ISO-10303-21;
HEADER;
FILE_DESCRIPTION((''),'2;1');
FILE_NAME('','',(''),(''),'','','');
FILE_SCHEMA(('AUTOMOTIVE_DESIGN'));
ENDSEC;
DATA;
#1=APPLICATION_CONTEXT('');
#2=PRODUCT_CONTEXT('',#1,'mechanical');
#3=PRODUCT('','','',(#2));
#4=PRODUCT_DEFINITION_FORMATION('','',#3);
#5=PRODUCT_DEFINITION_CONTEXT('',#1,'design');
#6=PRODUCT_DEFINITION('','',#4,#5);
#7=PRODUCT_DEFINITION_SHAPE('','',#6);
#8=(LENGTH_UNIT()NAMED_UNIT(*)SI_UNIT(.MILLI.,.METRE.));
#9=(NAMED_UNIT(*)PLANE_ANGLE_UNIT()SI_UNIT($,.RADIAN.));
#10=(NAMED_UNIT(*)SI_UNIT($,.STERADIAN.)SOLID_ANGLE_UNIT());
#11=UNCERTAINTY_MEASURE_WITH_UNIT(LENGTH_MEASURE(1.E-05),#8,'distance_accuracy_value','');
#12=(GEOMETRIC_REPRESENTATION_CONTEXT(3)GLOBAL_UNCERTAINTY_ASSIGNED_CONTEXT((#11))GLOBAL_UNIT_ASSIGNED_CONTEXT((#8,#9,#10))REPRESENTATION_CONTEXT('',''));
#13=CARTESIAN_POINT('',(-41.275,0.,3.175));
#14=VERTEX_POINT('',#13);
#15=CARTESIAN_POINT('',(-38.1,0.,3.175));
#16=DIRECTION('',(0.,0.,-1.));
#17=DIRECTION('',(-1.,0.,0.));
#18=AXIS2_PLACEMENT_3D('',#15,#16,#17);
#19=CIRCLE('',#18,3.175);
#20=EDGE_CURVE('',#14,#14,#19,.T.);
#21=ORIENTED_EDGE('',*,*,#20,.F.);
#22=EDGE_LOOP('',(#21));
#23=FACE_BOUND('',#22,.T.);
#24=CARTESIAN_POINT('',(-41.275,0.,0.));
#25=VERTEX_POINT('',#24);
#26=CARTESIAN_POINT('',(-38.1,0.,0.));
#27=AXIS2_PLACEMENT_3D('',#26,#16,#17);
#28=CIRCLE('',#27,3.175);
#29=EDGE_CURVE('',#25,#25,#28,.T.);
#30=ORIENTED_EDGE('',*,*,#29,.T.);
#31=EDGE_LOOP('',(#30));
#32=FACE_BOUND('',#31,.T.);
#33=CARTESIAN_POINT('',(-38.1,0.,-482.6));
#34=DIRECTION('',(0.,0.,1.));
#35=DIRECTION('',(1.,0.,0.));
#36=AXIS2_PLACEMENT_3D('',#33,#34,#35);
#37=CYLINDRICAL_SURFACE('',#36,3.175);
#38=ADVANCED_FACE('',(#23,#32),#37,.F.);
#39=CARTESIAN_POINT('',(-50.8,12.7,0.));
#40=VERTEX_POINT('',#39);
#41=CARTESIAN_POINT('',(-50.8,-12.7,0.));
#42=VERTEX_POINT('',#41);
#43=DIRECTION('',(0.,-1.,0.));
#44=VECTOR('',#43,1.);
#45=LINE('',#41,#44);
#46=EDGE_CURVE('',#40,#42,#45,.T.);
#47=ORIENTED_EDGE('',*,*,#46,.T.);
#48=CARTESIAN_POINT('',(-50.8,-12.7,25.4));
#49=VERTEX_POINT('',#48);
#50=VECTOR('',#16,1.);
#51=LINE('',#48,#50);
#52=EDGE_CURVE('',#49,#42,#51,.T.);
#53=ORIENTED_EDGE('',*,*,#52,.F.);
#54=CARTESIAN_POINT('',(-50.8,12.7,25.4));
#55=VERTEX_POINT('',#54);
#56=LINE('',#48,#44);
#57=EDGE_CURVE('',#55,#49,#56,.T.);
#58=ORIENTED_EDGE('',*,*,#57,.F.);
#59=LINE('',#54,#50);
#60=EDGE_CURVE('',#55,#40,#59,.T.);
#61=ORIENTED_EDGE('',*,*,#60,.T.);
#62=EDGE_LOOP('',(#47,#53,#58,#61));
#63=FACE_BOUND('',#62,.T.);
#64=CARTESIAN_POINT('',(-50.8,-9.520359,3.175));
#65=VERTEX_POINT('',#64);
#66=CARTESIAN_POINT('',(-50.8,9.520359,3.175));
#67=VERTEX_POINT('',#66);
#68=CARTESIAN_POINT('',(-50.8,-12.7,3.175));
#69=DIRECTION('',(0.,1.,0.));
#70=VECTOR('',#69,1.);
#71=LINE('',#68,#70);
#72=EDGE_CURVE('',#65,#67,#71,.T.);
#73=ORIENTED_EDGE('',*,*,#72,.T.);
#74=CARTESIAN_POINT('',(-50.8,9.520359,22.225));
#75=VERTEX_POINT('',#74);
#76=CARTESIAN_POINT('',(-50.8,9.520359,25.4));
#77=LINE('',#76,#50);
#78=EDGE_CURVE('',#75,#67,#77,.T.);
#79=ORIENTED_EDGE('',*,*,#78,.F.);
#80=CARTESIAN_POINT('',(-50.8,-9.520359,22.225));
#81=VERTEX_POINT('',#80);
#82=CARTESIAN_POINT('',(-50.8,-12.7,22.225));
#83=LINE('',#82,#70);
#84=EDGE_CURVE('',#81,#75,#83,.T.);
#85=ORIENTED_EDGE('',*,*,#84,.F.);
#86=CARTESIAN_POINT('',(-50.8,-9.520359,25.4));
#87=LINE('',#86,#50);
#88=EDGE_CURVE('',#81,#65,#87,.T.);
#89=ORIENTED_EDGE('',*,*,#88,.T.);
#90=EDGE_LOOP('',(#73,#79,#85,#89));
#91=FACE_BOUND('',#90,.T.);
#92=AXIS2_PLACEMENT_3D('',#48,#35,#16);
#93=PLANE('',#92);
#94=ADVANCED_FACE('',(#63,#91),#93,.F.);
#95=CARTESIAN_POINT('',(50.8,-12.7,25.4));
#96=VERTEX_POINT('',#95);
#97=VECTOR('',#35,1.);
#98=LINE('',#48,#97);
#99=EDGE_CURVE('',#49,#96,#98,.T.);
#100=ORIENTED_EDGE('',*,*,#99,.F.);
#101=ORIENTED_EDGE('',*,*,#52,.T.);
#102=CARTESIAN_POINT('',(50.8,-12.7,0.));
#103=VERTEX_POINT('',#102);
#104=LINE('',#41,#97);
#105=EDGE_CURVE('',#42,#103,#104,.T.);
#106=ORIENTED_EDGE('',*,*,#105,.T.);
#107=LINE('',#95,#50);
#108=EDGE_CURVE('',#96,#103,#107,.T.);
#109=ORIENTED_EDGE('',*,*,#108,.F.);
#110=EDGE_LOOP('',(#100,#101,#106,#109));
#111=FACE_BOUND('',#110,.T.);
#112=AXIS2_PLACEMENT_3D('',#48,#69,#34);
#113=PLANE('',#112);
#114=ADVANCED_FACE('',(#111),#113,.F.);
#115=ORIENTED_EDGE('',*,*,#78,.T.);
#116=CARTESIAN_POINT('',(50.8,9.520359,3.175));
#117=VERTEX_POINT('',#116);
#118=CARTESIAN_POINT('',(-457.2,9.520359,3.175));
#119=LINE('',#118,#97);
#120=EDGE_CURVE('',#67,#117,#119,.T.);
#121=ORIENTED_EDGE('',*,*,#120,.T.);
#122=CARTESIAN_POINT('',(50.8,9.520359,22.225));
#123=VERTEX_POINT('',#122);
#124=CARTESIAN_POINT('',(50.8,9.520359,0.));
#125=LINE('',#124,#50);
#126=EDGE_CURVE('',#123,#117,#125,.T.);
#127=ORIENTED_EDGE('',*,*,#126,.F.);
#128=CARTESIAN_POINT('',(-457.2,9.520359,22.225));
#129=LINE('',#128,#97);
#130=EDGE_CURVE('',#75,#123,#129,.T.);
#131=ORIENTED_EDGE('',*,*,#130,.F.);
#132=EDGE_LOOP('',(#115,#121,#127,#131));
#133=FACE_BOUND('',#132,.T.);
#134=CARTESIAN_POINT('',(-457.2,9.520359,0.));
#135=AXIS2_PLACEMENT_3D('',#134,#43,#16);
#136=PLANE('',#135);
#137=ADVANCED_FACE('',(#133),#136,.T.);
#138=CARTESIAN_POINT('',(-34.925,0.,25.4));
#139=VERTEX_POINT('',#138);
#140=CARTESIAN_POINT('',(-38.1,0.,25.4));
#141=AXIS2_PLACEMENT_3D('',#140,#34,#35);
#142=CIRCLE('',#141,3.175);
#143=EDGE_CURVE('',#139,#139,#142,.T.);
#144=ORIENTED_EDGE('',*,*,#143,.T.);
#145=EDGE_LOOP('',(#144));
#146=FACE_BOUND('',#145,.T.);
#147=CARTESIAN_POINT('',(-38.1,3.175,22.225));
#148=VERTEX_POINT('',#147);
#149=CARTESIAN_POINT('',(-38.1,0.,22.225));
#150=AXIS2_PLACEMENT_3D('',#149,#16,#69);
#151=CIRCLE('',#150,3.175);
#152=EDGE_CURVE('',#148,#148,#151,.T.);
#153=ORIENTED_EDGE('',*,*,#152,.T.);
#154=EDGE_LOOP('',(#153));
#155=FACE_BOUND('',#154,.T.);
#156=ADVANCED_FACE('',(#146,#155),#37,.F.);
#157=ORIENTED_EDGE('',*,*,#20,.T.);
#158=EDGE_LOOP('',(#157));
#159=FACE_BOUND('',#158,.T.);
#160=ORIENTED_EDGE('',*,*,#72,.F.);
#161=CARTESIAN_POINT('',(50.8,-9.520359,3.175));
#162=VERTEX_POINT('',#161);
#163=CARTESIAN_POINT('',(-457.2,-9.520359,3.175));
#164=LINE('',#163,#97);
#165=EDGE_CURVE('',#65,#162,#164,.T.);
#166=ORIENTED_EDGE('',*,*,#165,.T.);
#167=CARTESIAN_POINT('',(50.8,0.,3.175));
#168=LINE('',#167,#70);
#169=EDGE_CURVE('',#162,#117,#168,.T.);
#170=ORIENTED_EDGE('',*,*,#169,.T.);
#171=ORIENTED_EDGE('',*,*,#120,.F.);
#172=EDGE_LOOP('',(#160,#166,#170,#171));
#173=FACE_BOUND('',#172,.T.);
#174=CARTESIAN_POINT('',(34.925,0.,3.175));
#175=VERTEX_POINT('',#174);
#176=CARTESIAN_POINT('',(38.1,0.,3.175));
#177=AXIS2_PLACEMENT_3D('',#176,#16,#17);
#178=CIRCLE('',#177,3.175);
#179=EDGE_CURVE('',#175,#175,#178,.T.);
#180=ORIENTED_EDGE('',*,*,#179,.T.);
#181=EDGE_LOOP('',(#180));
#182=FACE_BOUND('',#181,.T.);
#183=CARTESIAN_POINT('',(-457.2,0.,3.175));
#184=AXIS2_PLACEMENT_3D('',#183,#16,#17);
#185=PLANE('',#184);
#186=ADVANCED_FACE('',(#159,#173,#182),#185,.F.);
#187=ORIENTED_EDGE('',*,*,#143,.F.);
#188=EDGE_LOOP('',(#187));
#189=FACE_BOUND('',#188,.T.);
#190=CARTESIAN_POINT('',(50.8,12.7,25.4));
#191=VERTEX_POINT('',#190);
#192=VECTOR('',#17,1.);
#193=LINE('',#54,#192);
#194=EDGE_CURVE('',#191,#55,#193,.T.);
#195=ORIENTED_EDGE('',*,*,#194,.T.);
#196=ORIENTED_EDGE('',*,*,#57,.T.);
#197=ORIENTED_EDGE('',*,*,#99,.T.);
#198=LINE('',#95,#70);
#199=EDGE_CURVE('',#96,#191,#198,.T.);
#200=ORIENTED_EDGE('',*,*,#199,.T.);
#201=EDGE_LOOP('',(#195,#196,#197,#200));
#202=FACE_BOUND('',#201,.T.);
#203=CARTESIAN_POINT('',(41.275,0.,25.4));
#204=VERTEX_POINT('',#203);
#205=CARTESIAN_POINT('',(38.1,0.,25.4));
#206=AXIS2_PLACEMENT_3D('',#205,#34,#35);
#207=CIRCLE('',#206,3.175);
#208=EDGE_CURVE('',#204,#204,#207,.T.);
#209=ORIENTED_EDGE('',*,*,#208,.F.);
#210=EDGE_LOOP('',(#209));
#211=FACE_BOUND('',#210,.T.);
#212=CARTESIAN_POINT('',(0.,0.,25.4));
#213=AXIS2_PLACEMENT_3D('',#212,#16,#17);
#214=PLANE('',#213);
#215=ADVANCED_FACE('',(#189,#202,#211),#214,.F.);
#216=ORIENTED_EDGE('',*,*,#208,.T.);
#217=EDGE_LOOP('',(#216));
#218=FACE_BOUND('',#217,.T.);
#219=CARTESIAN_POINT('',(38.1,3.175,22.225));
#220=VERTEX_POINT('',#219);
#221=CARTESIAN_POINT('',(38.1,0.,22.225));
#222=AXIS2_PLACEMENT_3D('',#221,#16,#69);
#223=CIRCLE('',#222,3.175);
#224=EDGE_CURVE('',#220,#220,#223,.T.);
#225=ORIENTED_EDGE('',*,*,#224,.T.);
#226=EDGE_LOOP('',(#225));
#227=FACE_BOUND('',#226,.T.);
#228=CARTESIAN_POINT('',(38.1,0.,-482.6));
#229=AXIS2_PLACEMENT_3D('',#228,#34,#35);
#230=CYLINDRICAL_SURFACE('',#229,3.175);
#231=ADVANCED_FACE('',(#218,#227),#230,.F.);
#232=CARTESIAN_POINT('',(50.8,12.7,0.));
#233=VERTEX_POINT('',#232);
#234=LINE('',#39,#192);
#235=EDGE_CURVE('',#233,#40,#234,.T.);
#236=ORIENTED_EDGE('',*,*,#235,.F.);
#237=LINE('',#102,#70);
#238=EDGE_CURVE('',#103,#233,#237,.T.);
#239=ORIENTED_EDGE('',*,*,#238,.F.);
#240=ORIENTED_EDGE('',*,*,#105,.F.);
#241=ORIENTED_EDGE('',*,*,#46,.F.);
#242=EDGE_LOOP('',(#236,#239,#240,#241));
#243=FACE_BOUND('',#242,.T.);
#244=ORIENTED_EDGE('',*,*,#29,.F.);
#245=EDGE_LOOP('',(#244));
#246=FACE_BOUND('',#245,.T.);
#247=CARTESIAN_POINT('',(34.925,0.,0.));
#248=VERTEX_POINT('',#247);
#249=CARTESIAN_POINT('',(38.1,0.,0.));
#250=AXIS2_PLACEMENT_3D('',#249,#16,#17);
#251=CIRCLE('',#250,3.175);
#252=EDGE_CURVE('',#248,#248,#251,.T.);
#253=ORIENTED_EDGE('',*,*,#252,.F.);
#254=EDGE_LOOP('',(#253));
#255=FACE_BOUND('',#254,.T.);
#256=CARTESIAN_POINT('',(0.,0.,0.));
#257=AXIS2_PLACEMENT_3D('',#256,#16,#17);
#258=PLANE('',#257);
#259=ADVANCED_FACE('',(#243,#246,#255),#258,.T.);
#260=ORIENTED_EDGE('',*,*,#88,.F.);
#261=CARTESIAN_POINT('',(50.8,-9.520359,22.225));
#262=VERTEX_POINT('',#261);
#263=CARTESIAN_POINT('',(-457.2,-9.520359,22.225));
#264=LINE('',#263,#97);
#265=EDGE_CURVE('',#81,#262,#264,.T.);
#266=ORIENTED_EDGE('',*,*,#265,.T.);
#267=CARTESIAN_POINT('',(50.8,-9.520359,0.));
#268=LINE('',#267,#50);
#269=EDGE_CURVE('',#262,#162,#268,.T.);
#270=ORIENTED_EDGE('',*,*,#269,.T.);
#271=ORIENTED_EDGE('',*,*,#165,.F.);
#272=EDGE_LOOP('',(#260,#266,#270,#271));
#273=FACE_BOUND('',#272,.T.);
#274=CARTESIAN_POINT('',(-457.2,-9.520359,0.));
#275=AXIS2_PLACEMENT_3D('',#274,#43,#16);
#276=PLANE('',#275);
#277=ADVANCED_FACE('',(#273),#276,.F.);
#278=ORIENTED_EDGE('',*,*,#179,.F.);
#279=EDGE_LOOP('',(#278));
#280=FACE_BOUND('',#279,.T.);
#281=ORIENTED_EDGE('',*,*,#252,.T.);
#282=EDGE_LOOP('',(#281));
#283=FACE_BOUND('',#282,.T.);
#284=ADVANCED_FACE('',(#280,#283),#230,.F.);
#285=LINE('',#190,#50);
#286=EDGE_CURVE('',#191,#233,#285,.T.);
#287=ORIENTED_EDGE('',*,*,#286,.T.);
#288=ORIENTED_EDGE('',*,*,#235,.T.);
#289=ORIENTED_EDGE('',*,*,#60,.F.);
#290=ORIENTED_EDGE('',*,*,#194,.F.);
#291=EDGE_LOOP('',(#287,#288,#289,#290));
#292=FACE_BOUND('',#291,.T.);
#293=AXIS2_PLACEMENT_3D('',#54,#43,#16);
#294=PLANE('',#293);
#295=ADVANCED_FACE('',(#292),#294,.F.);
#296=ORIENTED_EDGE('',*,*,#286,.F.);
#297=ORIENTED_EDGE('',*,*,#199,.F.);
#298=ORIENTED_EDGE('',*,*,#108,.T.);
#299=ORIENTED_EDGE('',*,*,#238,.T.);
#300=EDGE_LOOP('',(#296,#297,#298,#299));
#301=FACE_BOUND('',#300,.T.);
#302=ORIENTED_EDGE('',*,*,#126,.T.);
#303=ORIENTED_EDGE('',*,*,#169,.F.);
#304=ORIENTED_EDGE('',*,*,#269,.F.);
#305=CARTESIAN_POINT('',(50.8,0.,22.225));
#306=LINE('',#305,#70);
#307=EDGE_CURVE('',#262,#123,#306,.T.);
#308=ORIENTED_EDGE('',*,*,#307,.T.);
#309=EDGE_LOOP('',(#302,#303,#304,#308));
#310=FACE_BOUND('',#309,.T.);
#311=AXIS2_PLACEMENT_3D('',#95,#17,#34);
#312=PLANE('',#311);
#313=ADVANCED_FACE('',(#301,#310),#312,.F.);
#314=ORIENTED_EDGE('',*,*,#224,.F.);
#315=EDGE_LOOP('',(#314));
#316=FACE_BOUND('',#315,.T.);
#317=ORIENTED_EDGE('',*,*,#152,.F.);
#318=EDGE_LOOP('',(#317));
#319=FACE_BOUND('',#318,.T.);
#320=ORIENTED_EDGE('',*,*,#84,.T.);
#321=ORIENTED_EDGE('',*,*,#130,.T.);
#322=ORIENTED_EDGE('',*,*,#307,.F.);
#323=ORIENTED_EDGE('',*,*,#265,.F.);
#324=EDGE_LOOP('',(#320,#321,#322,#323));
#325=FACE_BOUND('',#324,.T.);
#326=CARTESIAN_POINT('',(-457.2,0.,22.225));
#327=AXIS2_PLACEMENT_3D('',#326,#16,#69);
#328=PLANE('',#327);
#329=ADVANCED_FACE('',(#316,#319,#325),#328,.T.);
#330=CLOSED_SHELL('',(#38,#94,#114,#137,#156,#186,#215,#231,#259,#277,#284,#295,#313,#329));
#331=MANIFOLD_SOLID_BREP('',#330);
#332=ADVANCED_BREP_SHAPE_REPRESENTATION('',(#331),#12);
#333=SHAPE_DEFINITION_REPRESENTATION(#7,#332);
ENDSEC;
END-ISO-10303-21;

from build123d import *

# Parameters (mm, degrees)
SKETCH1_W           = 101.6
SKETCH1_H           = 25.4
BOSS_EXTRUDE1_DEPTH = 25.4
SKETCH2_W           = 9.525
SKETCH2_H           = 19.040717284
CUT_EXTRUDE1_DEPTH  = 508
SKETCH4_R           = 3.175
CUT_EXTRUDE3_DEPTH  = 508


with BuildPart() as part:
    # Sketch1 → Boss-Extrude1 (new body)
    with BuildSketch(Plane.XY):
        Rectangle(SKETCH1_W, SKETCH1_H)
    extrude(amount=BOSS_EXTRUDE1_DEPTH)

    # Sketch2 → Cut-Extrude1 (cut)
    with BuildSketch(Plane(origin=(50.8, 0, 0), x_dir=(0, 0, -1), z_dir=(1, 0, 0))):
        with Locations((-17.4625, 0)):
            Rectangle(SKETCH2_W, SKETCH2_H)
        with Locations((-7.9375, 0)):
            Rectangle(SKETCH2_W, SKETCH2_H)
    extrude(amount=-CUT_EXTRUDE1_DEPTH, mode=Mode.SUBTRACT)

    # Sketch4 → Cut-Extrude3 (cut)
    with BuildSketch(Plane.XY.offset(25.4)):
        with Locations((-38.1, 0)):
            Circle(SKETCH4_R)
        with Locations((38.1, 0)):
            Circle(SKETCH4_R)
    extrude(amount=-CUT_EXTRUDE3_DEPTH, mode=Mode.SUBTRACT)


solid = part.part
